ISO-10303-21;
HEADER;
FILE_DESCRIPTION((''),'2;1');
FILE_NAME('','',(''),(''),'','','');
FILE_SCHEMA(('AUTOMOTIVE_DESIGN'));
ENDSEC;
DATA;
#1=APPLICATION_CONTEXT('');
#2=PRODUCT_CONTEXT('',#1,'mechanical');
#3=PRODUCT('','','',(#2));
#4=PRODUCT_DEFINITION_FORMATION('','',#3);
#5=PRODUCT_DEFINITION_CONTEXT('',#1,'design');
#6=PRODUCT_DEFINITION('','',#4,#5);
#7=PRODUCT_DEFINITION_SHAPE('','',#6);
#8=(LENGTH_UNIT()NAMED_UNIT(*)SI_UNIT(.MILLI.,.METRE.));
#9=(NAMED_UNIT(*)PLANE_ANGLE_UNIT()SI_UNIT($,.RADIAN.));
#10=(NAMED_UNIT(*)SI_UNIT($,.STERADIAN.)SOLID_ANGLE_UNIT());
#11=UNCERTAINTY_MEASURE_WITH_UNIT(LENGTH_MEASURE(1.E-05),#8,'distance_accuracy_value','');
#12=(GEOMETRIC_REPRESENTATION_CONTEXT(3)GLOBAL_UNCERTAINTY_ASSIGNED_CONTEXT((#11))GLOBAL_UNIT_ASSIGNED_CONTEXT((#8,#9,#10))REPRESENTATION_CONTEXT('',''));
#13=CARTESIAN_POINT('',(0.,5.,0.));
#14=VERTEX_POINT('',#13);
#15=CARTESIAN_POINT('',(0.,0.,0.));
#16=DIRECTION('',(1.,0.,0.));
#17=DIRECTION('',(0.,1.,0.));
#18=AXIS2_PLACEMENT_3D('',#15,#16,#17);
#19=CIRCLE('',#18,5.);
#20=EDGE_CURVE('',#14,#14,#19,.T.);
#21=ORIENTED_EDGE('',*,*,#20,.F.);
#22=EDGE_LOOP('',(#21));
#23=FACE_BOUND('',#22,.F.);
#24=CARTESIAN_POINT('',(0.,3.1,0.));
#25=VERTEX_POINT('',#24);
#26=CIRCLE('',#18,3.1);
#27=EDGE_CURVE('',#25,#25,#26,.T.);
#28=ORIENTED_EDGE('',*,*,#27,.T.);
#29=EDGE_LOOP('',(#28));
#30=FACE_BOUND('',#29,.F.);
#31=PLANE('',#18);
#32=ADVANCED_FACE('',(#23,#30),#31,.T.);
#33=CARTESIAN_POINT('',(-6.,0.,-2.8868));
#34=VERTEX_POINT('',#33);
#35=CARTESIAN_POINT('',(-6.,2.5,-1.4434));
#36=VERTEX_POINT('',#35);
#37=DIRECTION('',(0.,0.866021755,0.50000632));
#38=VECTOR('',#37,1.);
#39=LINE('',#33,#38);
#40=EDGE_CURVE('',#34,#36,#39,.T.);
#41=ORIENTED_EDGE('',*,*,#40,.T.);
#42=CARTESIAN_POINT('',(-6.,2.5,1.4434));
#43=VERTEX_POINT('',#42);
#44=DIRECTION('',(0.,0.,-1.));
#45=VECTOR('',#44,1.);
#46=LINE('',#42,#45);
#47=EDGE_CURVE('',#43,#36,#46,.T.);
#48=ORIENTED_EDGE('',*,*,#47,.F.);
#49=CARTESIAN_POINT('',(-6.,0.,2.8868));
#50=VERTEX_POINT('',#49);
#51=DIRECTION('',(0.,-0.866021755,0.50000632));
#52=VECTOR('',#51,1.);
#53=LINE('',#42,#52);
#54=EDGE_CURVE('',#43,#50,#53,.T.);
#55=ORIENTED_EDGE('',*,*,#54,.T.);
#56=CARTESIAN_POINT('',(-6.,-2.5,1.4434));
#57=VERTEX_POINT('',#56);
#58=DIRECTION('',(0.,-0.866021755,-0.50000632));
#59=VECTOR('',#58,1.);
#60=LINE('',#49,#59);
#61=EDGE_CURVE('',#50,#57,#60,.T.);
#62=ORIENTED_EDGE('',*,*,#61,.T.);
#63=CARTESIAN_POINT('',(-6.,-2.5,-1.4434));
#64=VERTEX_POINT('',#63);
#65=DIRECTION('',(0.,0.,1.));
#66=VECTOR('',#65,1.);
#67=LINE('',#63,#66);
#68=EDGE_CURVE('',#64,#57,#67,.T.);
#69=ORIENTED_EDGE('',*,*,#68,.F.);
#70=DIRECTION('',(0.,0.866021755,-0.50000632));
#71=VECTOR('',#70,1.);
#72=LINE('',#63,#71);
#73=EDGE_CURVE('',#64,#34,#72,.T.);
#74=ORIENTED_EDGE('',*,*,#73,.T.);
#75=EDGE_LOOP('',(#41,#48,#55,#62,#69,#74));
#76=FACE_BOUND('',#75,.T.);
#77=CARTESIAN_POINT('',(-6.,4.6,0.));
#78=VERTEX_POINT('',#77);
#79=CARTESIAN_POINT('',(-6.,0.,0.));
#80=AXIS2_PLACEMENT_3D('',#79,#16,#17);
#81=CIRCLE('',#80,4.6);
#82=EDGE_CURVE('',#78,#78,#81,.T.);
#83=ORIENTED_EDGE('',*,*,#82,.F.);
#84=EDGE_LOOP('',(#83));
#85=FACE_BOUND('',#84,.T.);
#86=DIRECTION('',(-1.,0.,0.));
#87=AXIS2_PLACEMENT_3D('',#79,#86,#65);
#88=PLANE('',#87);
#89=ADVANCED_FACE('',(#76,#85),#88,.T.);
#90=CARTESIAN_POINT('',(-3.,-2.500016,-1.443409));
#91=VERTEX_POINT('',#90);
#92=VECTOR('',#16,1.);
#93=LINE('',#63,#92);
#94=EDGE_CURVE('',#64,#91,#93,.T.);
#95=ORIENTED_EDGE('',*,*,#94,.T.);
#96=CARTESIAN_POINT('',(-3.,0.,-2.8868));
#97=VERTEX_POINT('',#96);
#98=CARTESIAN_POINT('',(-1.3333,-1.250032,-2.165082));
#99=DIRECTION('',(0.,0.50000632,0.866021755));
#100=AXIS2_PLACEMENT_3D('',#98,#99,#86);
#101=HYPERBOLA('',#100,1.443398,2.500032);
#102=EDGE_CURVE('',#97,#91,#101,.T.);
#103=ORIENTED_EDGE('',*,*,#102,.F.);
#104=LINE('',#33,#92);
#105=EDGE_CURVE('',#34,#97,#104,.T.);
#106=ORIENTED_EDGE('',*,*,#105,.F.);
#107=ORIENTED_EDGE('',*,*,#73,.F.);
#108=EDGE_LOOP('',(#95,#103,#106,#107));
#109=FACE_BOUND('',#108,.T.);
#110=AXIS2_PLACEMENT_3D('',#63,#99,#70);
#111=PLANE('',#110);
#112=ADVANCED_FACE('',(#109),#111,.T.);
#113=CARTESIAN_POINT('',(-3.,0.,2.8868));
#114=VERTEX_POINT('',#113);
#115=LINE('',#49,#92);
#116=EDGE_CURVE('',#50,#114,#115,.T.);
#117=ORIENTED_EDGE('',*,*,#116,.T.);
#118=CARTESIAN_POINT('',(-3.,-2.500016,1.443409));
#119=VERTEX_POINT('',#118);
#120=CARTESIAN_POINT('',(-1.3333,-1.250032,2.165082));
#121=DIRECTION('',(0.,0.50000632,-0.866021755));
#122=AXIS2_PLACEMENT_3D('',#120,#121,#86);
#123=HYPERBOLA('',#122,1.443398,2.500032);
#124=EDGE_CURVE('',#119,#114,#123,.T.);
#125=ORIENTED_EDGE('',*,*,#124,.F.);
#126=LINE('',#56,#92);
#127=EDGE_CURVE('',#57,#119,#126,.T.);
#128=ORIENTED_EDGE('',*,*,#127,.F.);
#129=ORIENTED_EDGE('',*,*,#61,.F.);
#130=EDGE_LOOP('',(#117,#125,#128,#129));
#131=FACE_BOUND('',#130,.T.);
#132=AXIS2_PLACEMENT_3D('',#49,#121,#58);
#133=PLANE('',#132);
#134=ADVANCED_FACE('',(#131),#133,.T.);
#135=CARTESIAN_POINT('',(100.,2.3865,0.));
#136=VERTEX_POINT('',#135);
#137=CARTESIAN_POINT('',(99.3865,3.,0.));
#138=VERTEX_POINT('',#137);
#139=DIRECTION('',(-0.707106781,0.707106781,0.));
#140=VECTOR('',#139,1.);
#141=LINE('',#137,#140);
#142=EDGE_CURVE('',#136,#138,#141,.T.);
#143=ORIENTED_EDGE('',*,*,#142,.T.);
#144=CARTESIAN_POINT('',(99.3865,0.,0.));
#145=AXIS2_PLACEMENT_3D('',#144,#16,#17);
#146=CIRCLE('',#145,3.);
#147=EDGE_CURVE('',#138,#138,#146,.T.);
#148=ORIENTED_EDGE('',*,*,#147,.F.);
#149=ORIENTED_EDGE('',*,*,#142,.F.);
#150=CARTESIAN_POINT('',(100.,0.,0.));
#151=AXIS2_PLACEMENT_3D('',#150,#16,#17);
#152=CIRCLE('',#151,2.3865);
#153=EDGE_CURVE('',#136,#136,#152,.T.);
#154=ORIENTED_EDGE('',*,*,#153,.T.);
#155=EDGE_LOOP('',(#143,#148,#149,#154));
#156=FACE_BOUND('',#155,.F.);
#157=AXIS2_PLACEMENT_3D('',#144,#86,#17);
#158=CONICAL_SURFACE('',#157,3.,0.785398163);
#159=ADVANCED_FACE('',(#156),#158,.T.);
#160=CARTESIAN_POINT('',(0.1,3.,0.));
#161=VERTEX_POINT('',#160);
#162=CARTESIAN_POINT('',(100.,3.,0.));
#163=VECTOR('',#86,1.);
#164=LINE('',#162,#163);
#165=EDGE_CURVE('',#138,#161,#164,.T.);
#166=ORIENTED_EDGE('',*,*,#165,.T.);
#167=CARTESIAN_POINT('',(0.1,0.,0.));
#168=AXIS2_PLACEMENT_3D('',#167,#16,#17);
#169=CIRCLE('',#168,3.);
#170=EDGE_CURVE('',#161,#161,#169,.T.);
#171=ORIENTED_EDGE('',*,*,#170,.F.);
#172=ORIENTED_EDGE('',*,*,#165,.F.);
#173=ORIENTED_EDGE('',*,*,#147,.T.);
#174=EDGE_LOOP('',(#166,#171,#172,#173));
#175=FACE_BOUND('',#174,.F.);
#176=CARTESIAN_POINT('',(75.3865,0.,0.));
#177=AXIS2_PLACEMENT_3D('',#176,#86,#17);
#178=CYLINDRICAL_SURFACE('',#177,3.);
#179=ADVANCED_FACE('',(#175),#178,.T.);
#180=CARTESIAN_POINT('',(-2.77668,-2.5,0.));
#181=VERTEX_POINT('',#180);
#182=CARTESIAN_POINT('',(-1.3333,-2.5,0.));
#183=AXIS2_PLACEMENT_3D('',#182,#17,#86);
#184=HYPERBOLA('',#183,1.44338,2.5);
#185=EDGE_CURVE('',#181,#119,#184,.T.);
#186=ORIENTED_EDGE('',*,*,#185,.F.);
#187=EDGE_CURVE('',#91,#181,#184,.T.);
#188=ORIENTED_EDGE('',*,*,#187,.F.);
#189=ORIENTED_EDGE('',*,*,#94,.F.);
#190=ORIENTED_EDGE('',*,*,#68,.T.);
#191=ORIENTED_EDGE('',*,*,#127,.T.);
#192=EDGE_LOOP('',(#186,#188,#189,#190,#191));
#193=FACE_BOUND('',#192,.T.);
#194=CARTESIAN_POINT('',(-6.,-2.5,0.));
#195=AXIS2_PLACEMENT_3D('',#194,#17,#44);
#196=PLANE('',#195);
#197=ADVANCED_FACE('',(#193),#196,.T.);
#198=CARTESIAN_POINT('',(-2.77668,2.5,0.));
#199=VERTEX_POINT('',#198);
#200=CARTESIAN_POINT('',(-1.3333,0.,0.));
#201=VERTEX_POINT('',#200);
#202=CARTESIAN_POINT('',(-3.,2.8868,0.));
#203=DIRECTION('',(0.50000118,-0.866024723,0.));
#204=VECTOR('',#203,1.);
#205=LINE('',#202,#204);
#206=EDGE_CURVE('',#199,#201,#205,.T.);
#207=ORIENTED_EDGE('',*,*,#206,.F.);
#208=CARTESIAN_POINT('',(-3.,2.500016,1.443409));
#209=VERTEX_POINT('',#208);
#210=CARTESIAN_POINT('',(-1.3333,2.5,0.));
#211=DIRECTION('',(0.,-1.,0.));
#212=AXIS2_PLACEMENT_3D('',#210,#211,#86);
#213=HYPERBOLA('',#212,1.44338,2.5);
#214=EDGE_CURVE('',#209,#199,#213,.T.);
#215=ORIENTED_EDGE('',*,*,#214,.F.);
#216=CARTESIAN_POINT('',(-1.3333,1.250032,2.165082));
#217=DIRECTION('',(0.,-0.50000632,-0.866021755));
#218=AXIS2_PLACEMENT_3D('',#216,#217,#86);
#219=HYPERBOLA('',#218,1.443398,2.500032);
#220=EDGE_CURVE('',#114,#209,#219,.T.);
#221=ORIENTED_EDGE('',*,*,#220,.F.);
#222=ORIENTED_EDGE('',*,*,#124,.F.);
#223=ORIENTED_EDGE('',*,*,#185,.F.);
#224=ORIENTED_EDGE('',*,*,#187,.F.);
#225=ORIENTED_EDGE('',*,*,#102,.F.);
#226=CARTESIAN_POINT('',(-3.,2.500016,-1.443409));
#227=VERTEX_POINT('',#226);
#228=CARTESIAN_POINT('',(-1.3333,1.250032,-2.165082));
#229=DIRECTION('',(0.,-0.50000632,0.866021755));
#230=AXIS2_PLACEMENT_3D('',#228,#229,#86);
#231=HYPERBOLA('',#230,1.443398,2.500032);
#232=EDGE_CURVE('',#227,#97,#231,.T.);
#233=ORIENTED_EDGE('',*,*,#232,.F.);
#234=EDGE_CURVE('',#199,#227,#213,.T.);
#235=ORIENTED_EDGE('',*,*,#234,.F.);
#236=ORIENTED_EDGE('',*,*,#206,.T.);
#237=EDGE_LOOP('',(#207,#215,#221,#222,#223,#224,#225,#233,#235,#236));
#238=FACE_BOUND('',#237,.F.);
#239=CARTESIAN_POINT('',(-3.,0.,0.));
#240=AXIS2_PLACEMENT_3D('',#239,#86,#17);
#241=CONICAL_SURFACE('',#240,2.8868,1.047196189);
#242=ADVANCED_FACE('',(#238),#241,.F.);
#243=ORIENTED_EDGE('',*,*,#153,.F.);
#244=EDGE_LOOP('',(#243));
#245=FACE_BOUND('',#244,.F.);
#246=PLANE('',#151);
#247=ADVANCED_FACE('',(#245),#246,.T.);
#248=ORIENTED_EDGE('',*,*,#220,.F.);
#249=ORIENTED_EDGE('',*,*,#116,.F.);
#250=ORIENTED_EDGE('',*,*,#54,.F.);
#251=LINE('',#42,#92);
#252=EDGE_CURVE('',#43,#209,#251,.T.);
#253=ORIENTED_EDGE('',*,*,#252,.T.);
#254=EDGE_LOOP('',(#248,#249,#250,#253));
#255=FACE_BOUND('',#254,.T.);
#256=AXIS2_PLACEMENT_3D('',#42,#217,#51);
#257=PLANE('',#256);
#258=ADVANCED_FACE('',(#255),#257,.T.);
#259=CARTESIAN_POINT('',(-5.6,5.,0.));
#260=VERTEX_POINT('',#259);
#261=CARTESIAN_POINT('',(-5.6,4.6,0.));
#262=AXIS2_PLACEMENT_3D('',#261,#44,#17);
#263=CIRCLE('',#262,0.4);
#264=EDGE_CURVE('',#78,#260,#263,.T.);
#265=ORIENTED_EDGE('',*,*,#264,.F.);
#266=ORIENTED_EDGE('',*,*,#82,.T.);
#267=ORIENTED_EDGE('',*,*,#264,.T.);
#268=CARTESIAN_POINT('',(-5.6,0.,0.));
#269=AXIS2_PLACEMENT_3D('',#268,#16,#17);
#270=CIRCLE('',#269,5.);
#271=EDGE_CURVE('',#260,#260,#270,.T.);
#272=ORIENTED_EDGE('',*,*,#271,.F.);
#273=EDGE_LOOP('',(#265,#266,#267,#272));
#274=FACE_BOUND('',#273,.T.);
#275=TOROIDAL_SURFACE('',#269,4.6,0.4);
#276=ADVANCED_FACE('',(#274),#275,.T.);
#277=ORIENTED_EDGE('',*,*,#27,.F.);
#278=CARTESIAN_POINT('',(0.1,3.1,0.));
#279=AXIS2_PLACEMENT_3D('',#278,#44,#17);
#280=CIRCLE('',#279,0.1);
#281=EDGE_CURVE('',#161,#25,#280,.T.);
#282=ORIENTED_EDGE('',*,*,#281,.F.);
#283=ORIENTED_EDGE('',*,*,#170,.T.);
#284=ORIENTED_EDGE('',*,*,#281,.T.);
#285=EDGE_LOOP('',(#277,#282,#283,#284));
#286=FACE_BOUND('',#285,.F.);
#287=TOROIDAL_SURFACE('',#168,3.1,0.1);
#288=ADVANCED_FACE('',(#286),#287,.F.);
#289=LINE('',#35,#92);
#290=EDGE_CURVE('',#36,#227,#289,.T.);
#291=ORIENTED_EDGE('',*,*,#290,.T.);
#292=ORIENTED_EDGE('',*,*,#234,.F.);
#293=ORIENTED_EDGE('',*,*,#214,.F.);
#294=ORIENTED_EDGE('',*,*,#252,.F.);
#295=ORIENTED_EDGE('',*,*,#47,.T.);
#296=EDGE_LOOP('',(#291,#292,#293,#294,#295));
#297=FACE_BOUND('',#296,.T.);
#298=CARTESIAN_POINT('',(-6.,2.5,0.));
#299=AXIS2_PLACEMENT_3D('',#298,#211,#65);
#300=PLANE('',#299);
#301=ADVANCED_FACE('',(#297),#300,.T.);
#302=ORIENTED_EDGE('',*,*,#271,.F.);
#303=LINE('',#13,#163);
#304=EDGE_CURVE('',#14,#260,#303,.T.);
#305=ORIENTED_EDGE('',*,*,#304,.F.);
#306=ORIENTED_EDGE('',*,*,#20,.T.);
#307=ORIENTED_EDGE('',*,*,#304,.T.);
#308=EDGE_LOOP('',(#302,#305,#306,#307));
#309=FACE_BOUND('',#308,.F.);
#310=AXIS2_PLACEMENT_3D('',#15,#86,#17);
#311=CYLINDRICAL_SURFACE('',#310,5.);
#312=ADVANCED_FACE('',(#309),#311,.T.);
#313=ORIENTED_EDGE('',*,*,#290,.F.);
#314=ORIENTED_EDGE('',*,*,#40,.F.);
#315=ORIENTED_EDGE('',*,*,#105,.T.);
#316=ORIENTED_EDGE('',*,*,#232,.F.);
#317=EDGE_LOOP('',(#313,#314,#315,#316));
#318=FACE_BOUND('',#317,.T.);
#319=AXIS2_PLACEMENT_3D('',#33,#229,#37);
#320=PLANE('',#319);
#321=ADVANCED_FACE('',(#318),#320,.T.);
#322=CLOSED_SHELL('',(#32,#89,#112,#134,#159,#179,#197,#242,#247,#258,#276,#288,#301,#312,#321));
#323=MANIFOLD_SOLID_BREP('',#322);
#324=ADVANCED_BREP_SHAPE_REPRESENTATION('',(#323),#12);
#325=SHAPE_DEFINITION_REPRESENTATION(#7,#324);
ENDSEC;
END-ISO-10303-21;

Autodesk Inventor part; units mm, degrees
ref_plane "YZ Plane" through (0, 0, 0) normal (1, 0, 0) x (0, 1, 0)
ref_plane "XZ Plane" through (0, 0, 0) normal (0, 1, 0) x (-1, 0, 0)
sketch "Sketch1" plane through (0, 0, 0) normal (0, 0, 1) x (1, 0, 0)
  line L0 (-1.3333, 0) -> (100, 0)
  line L1 (100, 0) -> (100, 3)
  line L2 (100, 3) -> (76, 3)
  line L3 (76, 3) -> (75.3865, 3)
  line L4 (75.3865, 3) -> (0, 3)
  line L5 (0, 3) -> (0, 5)
  line L6 (0, 5) -> (-6, 5)
  line L7 (-6, 5) -> (-6, 2.8868)
  line L8 (-6, 2.8868) -> (-3, 2.8868)
  line L9 (-3, 2.8868) -> (-1.3333, 0)
  line L10 (-27.2, 0) -> (121.2, 0) projected
  line L11 (0, -1) -> (0, 6) projected
  line L12 (76, 3) -> (0, 3) construction
  dimension "d1" = 24
  dimension "d2" = 0.6136
  dimension "d3" = 6
  dimension "d4" = 3
  dimension "d5" = 60
  dimension "d6" = 6
  dimension "d7" = 6
  dimension "d8" = 5.7735
  dimension "d9" = 10
  dimension "d26" = 100
revolve "Body" add sketch "Sketch1" angle 360 about axis through (-1.3333, 0, 0) along (1, 0, 0)
sketch "Sketch2" plane through (-6, 0, 0) normal (-1, 0, 0) x (0, 0, 1)
  circle A0 centre (0, 0) radius 2.8868 projected
  line L0 (0, -7) -> (0, 7) projected
  line L1 (-7, 0) -> (7, 0) projected
  line L2 (2.8868, 0) -> (1.4434, -2.5)
  line L3 (1.4434, -2.5) -> (-1.4434, -2.5)
  line L4 (-1.4434, -2.5) -> (-2.8868, 0)
  line L5 (-2.8868, 0) -> (-1.4434, 2.5)
  line L6 (-1.4434, 2.5) -> (1.4434, 2.5)
  line L7 (1.4434, 2.5) -> (2.8868, 0)
extrude "Slot" add sketch "Sketch2" against normal up to next contours L7 A0 | A0 L2 | L6 L0 A0 | A0 L0 L3 | L0 L6 A0 | A0 L3 L0 | L4 A0 | A0 L5
fillet "Fillet1" radius 0.4 1 edges at (-6, -5, 0)
thread "Thread" size "M6x1" class "6g" standard "ISO Metric profile" length 24
chamfer "Chamfer1" distance 0.6135 distance2 0.6135 1 edges at (100, -3, 0) measured on face at (100, -0.7776, 0.9024)
ref_plane "Work Plane1" through (29, 0, 0) normal (0, -1, 0) x (1, 0, 0)
fillet "Fillet2" radius 0.1 1 edges at (0, -3, 0)
equation "\"d1\" = GEL"
equation "\"d3\" = KOH"
equation "\"d4\" = INTI"
equation "\"d6\" = GD"
equation "\"d7\" = BDM"
equation "\"d8\" = 1.1547 * SW"
equation "\"d9\" = KOD"
equation "\"d26\" = NLG"
equation "\"d30\" = R"
equation "\"d17\" = RR"
equation "\"d13\" = GEL"
equation "\"d15\" = -0.5 * SPD + 0.5 * GD"
equation "\"d16\" = GUL"
equation "\"GD\" = NND"
equation "\"NLG\" = 100"
equation "\"GEL\" = 24"
equation "\"KOD\" = 10"
equation "\"KOH\" = NND"
equation "\"INTI\" = 3"
equation "\"GAL\" = 0.61345 * PTC"
equation "\"GUL\" = 0.61345 * PTC"
equation "\"BDM\" = NND"
equation "\"SW\" = 5"
equation "\"RR\" = 0.4"
equation "\"SPD\" = NND - 1.2269 * PTC"
equation "\"R\" = 0.1"
equation "\"PHH\" = 0.1 * NND"
equation "\"GD1\" = THREADDIA - 1.2269 * PTC"
equation "\"THREADDIA\" = 6"
equation "\"FAWI\" = 45deg"
equation "\"PTC\" = 1"
equation "\"NND\" = 6"
equation "\"FAWI1\" = 30deg"
equation "\"TOA\" = 30deg"
equation "\"E0\" = 1.155 * SW"
properties part number "Unbrako - M6 x 100" material "Steel, Mild"
